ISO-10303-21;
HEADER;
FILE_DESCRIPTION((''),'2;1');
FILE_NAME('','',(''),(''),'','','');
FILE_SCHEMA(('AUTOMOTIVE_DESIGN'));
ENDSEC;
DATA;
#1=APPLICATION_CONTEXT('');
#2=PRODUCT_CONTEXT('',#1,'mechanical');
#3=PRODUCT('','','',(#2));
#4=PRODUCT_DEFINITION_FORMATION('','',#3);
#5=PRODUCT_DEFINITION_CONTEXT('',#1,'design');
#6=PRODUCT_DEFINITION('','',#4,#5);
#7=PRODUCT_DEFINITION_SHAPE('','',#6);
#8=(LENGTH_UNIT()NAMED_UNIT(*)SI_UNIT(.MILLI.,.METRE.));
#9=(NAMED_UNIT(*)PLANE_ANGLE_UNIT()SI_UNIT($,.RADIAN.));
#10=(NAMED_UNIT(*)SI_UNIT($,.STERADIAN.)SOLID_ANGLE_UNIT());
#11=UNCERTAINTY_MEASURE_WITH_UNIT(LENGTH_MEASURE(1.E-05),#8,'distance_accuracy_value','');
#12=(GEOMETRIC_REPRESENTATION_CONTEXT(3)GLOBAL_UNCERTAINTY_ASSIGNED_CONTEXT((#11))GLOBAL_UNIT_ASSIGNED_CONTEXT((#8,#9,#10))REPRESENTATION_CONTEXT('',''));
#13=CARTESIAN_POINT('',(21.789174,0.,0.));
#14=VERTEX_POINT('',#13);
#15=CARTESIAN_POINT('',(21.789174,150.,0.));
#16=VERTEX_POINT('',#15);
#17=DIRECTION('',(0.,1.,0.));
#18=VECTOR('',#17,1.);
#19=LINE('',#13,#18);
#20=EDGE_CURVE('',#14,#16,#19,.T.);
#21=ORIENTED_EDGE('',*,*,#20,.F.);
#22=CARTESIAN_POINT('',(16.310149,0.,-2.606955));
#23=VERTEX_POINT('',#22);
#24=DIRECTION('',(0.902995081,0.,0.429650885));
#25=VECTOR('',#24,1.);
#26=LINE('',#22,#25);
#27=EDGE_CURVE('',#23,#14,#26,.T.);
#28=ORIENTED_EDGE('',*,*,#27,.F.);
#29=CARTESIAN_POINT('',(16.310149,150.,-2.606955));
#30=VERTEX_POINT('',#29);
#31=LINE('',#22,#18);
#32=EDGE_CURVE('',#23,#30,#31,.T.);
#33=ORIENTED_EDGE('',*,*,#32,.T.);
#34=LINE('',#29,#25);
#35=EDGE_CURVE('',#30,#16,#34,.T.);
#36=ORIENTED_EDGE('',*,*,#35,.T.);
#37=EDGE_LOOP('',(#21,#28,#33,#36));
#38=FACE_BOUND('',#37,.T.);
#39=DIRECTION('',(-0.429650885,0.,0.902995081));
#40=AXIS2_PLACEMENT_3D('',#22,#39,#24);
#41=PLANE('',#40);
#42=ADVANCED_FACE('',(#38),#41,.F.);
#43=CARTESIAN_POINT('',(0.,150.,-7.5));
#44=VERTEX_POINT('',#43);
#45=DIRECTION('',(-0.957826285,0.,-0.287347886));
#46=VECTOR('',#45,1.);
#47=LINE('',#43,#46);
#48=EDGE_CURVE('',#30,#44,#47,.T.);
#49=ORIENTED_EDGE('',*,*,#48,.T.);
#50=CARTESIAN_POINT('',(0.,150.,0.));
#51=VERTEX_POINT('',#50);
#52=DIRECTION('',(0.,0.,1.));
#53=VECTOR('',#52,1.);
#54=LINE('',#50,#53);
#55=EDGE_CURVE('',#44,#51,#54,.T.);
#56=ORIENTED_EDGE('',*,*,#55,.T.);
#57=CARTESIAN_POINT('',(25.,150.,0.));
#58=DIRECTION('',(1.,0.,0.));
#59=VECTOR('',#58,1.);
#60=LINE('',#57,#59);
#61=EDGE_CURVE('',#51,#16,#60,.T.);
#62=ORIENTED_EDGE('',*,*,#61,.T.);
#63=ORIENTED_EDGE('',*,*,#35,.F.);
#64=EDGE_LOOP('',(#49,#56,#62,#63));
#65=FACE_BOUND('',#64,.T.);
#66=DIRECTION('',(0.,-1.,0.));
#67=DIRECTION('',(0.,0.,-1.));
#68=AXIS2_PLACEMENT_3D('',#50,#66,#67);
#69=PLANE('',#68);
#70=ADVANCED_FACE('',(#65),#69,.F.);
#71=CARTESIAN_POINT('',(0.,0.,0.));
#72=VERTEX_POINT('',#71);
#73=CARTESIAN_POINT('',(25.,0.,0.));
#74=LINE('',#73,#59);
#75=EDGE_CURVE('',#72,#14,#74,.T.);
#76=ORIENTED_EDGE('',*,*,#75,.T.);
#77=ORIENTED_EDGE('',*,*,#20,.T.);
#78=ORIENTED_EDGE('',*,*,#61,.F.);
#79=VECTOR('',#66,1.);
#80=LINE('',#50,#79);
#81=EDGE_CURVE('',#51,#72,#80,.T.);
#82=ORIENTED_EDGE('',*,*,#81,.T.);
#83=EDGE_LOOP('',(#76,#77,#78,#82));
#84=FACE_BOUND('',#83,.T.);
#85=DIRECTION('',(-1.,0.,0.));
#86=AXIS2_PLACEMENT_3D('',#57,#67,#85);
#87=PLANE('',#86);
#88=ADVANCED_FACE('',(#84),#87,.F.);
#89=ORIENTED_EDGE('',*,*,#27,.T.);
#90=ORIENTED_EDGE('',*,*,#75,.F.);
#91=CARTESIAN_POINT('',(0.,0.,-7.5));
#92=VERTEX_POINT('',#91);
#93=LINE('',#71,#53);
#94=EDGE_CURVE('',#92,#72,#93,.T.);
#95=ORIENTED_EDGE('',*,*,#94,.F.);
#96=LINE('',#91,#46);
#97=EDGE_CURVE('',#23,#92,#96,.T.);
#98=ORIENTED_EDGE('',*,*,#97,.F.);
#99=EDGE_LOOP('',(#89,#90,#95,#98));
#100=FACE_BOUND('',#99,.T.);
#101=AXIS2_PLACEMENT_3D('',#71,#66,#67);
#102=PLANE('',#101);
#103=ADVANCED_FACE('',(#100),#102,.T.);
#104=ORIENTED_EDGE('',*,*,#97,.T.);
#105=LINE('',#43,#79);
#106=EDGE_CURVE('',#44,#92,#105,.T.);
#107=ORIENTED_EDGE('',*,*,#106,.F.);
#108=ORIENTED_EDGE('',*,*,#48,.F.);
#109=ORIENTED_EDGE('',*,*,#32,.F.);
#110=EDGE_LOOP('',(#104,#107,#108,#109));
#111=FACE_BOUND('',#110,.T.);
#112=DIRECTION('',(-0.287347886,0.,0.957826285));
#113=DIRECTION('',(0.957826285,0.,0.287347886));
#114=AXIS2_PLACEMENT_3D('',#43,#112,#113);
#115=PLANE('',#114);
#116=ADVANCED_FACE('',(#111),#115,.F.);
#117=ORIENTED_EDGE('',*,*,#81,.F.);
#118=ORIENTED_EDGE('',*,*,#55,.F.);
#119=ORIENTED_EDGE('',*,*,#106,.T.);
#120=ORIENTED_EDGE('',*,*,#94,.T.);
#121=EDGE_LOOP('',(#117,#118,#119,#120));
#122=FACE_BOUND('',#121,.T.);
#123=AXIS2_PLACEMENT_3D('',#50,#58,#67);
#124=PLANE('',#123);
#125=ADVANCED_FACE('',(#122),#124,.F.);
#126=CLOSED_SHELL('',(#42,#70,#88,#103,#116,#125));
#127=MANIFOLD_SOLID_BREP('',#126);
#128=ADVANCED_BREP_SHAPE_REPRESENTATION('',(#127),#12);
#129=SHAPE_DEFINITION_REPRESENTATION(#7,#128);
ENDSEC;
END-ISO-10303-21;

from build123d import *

# Parameters (mm, degrees)
BOSS_EXTRUDE1_DEPTH = 150
CUT_EXTRUDE1_DEPTH  = 150


with BuildPart() as part:
    # Sketch2 → Boss-Extrude1 (new body)
    with BuildSketch(Plane(origin=(0, 0, 0), x_dir=(1, 0, 0), z_dir=(0, 1, 0))):
        Polygon((0, 0), (0, 7.5), (25, 0), align=None)
    extrude(amount=BOSS_EXTRUDE1_DEPTH)

    # Sketch3 → Cut-Extrude1 (cut)
    with BuildSketch(Plane(origin=(0, 150, 0), x_dir=(1, 0, 0), z_dir=(0, 1, 0))):
        Polygon((16.310149398, 2.606955181), (21.789173845, 0), (25, 0), align=None)
    extrude(amount=-CUT_EXTRUDE1_DEPTH, mode=Mode.SUBTRACT)


solid = part.part
